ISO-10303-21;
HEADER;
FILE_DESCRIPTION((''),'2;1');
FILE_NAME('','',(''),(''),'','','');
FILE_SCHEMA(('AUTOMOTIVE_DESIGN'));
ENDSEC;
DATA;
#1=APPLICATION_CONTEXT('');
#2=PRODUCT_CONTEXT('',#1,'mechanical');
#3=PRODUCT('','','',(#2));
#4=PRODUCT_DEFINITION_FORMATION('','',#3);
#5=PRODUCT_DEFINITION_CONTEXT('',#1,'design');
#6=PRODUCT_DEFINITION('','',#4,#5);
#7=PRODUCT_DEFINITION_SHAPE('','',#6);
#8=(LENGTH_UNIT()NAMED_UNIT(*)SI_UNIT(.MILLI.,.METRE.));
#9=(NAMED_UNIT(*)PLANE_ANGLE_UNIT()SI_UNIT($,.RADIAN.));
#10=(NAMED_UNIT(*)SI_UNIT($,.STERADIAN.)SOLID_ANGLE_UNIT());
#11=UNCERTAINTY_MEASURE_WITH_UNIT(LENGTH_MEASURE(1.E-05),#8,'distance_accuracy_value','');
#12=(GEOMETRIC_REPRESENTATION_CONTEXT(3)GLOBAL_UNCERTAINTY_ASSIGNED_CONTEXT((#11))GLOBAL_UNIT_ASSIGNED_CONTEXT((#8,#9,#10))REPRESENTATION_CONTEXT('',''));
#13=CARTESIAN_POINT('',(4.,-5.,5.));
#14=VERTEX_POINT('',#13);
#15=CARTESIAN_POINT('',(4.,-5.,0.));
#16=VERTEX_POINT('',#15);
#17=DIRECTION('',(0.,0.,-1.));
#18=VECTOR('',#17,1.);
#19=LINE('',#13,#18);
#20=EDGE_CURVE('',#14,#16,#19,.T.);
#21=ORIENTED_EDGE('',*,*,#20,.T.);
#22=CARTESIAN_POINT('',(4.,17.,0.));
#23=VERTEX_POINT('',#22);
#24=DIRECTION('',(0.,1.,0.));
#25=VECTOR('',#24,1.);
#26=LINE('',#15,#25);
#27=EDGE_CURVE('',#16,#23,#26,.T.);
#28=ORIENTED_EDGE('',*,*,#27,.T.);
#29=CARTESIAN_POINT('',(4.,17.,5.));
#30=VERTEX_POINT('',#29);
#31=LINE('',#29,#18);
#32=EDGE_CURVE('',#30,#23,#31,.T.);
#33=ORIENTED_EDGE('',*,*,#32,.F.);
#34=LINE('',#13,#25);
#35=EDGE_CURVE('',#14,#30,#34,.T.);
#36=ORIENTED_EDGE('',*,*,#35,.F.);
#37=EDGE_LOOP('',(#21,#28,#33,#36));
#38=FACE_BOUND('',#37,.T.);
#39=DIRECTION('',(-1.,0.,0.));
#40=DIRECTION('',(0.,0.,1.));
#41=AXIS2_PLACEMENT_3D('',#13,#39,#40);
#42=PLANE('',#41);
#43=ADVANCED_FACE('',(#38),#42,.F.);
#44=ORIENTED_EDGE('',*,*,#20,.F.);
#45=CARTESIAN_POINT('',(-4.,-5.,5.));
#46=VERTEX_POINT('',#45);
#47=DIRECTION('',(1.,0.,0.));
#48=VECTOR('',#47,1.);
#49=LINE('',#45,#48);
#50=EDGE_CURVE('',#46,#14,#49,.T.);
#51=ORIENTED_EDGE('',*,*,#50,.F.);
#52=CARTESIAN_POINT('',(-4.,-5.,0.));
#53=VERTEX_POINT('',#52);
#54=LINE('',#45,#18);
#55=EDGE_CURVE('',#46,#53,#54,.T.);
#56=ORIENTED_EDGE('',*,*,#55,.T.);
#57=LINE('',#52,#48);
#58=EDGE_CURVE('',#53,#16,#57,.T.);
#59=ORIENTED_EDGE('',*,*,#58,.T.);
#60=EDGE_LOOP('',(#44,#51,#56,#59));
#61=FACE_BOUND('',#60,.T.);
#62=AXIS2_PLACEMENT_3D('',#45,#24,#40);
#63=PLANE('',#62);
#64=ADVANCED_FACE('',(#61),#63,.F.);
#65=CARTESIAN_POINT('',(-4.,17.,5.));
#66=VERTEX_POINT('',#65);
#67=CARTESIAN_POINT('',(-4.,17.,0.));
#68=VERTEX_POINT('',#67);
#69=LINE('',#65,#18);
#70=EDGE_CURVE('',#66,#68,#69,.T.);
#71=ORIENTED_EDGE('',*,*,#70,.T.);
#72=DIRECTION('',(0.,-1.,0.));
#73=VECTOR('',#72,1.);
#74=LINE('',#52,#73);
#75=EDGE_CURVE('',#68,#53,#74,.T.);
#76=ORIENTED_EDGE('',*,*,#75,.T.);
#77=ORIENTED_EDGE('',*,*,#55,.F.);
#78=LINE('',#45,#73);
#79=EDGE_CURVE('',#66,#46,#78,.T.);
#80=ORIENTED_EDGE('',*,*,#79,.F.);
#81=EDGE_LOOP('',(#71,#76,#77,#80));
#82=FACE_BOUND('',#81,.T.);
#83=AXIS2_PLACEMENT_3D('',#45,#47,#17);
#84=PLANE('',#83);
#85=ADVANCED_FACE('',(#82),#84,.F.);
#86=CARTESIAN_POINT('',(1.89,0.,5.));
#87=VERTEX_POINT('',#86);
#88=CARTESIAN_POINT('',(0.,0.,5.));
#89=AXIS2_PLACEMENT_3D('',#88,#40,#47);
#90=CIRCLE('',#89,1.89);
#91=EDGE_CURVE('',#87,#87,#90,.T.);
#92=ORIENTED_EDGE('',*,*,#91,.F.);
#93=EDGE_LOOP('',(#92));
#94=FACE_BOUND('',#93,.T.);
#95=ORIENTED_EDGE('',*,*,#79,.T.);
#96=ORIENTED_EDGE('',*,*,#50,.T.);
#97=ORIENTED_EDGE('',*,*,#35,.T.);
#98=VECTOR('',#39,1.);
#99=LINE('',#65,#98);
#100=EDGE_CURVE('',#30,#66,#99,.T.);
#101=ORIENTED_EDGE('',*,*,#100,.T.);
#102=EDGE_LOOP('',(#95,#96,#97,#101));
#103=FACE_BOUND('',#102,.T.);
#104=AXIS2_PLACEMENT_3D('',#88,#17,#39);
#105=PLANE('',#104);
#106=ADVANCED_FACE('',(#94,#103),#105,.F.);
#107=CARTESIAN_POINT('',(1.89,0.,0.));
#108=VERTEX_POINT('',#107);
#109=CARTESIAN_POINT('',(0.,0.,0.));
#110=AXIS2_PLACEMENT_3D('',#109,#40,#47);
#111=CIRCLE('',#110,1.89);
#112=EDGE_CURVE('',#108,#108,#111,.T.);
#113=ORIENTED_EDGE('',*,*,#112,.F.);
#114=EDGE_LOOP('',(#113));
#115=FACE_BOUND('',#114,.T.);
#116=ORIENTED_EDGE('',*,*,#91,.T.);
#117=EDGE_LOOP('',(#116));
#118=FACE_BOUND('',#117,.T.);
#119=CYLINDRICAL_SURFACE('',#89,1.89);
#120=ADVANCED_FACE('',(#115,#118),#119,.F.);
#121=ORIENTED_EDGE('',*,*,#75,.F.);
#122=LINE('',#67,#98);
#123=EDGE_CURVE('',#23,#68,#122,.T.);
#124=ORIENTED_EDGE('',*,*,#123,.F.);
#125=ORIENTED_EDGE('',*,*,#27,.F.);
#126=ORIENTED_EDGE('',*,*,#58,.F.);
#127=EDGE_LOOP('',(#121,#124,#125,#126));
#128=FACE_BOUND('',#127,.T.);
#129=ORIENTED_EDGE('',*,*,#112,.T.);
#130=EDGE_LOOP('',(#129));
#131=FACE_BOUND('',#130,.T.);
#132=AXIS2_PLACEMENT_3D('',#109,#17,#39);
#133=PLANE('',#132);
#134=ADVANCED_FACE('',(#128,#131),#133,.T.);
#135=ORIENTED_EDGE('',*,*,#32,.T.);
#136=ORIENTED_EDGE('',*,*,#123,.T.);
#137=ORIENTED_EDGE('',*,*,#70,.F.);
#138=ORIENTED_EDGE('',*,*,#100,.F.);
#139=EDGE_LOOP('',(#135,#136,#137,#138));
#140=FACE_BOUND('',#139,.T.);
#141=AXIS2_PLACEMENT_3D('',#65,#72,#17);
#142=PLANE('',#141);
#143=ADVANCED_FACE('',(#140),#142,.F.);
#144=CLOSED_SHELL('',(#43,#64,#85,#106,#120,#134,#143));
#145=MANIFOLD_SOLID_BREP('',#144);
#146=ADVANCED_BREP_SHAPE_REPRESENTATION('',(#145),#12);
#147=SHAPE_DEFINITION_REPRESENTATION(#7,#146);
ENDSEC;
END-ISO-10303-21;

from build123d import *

# Parameters (mm, degrees)
SKIZZE1_W                       = 8
SKIZZE1_H                       = 22
AUFSATZ_LINEAR_AUSTRAGEN1_DEPTH = 5
M4_GEWINDEBOHRUNG1_D            = 3.78


with BuildPart() as part:
    # Skizze1 → Aufsatz-Linear austragen1 (new body)
    with BuildSketch(Plane.XY):
        with Locations((0, 6)):
            Rectangle(SKIZZE1_W, SKIZZE1_H)
    extrude(amount=AUFSATZ_LINEAR_AUSTRAGEN1_DEPTH)

    # M4 Gewindebohrung1 (through all)
    with Locations(Plane.XY.offset(5)):
        with Locations((0, 0)):
            Hole(M4_GEWINDEBOHRUNG1_D / 2)


solid = part.part
